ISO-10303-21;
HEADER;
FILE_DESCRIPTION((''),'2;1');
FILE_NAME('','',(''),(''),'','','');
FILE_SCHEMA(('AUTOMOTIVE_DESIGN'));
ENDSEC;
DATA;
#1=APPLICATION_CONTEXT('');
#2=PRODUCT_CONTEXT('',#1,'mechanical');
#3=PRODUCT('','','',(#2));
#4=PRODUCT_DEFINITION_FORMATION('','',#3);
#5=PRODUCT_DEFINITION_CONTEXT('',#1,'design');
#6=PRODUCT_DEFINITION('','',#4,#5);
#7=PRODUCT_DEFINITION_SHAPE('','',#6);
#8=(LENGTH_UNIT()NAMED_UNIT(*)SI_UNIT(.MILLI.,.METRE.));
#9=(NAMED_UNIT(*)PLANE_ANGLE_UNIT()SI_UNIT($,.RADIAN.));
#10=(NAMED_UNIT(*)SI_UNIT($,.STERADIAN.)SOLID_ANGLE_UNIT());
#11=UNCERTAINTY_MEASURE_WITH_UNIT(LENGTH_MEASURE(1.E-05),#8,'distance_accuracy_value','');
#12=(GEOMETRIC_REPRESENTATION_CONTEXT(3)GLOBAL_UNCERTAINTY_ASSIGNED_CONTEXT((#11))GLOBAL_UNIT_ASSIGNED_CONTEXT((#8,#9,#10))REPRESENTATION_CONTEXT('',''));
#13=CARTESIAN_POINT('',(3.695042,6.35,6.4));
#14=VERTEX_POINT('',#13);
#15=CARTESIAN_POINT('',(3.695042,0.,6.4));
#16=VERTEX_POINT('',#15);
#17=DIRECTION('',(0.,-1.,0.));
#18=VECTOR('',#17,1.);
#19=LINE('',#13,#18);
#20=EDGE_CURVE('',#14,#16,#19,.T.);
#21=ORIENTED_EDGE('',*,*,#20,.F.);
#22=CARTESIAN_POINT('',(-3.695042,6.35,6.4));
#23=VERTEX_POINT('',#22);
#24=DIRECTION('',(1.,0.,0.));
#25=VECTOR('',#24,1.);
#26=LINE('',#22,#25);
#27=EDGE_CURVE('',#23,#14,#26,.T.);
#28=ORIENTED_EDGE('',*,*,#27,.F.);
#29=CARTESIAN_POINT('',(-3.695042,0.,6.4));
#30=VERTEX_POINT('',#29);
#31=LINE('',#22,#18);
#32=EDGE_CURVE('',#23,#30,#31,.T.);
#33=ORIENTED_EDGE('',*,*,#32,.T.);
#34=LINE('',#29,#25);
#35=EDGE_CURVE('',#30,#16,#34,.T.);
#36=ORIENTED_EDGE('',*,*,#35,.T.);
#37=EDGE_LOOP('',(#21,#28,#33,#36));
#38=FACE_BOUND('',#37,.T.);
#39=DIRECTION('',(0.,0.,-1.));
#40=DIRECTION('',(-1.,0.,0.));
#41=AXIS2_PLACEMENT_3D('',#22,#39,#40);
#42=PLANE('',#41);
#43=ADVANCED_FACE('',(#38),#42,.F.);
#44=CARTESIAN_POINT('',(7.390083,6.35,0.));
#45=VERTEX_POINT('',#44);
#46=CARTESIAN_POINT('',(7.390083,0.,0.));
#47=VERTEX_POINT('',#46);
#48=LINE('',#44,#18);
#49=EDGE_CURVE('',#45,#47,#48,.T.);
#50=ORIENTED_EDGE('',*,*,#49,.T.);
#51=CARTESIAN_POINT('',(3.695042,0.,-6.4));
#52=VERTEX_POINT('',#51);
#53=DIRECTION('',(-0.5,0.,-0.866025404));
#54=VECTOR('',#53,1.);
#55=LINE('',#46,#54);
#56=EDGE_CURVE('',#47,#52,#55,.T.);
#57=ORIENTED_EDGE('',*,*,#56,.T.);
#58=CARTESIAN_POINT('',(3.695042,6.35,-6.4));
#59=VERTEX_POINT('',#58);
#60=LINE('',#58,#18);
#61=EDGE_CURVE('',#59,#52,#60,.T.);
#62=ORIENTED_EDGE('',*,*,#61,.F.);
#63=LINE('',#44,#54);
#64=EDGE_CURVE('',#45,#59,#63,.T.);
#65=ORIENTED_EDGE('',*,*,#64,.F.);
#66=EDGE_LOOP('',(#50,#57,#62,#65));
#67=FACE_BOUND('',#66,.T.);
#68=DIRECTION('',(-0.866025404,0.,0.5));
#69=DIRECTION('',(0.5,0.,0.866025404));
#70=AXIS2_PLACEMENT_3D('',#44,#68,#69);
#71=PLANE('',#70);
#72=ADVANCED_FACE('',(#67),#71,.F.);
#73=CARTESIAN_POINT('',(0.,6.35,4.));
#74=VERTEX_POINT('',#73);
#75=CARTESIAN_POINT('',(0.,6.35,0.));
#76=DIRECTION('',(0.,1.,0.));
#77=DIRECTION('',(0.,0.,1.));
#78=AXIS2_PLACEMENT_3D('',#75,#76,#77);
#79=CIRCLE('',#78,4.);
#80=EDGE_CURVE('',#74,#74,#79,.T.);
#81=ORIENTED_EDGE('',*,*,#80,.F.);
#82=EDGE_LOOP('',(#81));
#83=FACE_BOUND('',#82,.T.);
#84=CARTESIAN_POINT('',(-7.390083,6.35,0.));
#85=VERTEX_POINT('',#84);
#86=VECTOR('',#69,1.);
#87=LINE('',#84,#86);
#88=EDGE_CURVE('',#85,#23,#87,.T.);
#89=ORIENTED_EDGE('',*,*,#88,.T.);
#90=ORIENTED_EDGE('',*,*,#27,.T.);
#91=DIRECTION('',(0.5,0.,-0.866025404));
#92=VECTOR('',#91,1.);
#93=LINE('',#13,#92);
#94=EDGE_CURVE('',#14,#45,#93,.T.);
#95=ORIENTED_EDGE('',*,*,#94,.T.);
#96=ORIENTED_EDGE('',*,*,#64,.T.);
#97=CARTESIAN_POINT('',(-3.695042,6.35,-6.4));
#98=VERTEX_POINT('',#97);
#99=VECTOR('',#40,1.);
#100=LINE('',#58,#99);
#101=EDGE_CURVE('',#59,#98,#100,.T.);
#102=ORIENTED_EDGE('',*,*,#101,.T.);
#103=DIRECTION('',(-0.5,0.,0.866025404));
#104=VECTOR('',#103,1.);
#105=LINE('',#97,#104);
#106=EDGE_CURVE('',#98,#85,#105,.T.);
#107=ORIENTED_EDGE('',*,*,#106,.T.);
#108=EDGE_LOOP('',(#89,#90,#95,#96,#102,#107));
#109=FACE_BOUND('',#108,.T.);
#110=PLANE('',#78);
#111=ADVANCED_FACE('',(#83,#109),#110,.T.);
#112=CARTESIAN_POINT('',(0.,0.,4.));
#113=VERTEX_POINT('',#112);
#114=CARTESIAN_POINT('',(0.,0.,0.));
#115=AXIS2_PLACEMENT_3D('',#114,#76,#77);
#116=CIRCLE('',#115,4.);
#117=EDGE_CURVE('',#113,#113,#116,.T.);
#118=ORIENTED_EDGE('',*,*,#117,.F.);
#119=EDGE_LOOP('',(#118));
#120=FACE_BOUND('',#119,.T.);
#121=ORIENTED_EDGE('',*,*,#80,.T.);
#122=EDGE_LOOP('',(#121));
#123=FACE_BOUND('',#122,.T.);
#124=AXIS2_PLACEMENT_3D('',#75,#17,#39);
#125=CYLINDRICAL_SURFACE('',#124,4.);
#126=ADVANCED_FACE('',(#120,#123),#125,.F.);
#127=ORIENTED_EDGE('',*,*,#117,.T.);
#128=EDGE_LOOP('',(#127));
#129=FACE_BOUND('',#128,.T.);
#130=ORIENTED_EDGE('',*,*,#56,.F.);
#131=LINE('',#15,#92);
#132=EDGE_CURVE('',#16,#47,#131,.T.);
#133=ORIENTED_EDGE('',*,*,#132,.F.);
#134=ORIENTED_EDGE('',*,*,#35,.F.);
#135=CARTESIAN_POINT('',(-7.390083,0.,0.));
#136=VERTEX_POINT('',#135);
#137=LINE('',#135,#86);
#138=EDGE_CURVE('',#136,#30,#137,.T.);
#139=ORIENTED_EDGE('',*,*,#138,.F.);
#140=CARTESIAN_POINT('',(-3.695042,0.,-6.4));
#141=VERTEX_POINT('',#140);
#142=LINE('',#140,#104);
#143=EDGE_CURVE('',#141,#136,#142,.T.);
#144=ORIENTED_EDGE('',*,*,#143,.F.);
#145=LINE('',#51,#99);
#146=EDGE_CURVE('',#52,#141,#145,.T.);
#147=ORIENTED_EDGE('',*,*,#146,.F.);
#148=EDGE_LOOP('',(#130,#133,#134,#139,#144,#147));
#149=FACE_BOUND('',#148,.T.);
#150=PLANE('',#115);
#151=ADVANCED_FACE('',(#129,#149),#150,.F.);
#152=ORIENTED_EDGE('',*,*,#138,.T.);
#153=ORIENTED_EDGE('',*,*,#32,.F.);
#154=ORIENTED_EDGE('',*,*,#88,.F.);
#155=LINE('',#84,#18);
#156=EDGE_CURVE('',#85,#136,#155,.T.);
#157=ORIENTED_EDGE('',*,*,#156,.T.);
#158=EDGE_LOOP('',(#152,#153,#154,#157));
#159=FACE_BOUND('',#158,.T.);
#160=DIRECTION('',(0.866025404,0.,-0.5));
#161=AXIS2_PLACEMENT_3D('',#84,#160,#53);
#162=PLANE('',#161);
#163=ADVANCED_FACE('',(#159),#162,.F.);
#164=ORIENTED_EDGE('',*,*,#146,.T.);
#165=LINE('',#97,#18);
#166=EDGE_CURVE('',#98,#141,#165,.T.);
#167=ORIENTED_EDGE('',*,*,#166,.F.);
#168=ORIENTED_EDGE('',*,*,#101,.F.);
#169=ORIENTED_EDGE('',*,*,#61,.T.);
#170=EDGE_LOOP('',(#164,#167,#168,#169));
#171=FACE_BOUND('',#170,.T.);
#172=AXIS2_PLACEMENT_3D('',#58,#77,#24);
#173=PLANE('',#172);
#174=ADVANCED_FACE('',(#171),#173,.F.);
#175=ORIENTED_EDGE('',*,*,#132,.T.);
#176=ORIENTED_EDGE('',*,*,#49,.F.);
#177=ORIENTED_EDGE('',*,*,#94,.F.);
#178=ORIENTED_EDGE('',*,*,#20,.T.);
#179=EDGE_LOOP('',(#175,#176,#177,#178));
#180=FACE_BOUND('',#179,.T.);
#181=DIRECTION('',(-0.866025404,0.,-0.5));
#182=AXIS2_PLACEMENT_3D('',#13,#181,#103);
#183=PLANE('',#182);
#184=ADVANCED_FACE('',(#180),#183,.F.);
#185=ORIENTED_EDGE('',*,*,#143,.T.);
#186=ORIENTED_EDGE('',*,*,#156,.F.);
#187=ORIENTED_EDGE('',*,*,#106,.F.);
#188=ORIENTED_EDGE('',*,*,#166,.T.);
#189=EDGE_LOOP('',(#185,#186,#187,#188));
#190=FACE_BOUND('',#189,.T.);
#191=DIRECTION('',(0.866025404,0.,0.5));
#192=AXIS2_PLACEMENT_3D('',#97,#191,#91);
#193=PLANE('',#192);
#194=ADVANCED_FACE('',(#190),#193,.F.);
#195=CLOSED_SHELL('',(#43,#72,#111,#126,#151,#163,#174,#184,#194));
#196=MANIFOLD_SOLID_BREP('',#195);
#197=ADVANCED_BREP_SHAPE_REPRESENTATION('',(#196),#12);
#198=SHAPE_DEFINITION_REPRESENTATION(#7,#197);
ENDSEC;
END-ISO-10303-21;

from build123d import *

# Parameters (mm, degrees)
ESQUISSE1_R        = 4
BOSS_EXTRU_1_DEPTH = 6.35


with BuildPart() as part:
    # Esquisse1 → Boss.-Extru.1 (new body)
    with BuildSketch(Plane(origin=(0, 0, 0), x_dir=(1, 0, 0), z_dir=(0, 1, 0))):
        Polygon((7.390083446, 0), (3.695041723, 6.4), (-3.695041723, 6.4), (-7.390083446, 0), (-3.695041723, -6.4), (3.695041723, -6.4), align=None)
        with Locations(Location((0, 0, 0), (0, 0, 270))):
            Circle(ESQUISSE1_R, mode=Mode.SUBTRACT)
    extrude(amount=BOSS_EXTRU_1_DEPTH)


solid = part.part
